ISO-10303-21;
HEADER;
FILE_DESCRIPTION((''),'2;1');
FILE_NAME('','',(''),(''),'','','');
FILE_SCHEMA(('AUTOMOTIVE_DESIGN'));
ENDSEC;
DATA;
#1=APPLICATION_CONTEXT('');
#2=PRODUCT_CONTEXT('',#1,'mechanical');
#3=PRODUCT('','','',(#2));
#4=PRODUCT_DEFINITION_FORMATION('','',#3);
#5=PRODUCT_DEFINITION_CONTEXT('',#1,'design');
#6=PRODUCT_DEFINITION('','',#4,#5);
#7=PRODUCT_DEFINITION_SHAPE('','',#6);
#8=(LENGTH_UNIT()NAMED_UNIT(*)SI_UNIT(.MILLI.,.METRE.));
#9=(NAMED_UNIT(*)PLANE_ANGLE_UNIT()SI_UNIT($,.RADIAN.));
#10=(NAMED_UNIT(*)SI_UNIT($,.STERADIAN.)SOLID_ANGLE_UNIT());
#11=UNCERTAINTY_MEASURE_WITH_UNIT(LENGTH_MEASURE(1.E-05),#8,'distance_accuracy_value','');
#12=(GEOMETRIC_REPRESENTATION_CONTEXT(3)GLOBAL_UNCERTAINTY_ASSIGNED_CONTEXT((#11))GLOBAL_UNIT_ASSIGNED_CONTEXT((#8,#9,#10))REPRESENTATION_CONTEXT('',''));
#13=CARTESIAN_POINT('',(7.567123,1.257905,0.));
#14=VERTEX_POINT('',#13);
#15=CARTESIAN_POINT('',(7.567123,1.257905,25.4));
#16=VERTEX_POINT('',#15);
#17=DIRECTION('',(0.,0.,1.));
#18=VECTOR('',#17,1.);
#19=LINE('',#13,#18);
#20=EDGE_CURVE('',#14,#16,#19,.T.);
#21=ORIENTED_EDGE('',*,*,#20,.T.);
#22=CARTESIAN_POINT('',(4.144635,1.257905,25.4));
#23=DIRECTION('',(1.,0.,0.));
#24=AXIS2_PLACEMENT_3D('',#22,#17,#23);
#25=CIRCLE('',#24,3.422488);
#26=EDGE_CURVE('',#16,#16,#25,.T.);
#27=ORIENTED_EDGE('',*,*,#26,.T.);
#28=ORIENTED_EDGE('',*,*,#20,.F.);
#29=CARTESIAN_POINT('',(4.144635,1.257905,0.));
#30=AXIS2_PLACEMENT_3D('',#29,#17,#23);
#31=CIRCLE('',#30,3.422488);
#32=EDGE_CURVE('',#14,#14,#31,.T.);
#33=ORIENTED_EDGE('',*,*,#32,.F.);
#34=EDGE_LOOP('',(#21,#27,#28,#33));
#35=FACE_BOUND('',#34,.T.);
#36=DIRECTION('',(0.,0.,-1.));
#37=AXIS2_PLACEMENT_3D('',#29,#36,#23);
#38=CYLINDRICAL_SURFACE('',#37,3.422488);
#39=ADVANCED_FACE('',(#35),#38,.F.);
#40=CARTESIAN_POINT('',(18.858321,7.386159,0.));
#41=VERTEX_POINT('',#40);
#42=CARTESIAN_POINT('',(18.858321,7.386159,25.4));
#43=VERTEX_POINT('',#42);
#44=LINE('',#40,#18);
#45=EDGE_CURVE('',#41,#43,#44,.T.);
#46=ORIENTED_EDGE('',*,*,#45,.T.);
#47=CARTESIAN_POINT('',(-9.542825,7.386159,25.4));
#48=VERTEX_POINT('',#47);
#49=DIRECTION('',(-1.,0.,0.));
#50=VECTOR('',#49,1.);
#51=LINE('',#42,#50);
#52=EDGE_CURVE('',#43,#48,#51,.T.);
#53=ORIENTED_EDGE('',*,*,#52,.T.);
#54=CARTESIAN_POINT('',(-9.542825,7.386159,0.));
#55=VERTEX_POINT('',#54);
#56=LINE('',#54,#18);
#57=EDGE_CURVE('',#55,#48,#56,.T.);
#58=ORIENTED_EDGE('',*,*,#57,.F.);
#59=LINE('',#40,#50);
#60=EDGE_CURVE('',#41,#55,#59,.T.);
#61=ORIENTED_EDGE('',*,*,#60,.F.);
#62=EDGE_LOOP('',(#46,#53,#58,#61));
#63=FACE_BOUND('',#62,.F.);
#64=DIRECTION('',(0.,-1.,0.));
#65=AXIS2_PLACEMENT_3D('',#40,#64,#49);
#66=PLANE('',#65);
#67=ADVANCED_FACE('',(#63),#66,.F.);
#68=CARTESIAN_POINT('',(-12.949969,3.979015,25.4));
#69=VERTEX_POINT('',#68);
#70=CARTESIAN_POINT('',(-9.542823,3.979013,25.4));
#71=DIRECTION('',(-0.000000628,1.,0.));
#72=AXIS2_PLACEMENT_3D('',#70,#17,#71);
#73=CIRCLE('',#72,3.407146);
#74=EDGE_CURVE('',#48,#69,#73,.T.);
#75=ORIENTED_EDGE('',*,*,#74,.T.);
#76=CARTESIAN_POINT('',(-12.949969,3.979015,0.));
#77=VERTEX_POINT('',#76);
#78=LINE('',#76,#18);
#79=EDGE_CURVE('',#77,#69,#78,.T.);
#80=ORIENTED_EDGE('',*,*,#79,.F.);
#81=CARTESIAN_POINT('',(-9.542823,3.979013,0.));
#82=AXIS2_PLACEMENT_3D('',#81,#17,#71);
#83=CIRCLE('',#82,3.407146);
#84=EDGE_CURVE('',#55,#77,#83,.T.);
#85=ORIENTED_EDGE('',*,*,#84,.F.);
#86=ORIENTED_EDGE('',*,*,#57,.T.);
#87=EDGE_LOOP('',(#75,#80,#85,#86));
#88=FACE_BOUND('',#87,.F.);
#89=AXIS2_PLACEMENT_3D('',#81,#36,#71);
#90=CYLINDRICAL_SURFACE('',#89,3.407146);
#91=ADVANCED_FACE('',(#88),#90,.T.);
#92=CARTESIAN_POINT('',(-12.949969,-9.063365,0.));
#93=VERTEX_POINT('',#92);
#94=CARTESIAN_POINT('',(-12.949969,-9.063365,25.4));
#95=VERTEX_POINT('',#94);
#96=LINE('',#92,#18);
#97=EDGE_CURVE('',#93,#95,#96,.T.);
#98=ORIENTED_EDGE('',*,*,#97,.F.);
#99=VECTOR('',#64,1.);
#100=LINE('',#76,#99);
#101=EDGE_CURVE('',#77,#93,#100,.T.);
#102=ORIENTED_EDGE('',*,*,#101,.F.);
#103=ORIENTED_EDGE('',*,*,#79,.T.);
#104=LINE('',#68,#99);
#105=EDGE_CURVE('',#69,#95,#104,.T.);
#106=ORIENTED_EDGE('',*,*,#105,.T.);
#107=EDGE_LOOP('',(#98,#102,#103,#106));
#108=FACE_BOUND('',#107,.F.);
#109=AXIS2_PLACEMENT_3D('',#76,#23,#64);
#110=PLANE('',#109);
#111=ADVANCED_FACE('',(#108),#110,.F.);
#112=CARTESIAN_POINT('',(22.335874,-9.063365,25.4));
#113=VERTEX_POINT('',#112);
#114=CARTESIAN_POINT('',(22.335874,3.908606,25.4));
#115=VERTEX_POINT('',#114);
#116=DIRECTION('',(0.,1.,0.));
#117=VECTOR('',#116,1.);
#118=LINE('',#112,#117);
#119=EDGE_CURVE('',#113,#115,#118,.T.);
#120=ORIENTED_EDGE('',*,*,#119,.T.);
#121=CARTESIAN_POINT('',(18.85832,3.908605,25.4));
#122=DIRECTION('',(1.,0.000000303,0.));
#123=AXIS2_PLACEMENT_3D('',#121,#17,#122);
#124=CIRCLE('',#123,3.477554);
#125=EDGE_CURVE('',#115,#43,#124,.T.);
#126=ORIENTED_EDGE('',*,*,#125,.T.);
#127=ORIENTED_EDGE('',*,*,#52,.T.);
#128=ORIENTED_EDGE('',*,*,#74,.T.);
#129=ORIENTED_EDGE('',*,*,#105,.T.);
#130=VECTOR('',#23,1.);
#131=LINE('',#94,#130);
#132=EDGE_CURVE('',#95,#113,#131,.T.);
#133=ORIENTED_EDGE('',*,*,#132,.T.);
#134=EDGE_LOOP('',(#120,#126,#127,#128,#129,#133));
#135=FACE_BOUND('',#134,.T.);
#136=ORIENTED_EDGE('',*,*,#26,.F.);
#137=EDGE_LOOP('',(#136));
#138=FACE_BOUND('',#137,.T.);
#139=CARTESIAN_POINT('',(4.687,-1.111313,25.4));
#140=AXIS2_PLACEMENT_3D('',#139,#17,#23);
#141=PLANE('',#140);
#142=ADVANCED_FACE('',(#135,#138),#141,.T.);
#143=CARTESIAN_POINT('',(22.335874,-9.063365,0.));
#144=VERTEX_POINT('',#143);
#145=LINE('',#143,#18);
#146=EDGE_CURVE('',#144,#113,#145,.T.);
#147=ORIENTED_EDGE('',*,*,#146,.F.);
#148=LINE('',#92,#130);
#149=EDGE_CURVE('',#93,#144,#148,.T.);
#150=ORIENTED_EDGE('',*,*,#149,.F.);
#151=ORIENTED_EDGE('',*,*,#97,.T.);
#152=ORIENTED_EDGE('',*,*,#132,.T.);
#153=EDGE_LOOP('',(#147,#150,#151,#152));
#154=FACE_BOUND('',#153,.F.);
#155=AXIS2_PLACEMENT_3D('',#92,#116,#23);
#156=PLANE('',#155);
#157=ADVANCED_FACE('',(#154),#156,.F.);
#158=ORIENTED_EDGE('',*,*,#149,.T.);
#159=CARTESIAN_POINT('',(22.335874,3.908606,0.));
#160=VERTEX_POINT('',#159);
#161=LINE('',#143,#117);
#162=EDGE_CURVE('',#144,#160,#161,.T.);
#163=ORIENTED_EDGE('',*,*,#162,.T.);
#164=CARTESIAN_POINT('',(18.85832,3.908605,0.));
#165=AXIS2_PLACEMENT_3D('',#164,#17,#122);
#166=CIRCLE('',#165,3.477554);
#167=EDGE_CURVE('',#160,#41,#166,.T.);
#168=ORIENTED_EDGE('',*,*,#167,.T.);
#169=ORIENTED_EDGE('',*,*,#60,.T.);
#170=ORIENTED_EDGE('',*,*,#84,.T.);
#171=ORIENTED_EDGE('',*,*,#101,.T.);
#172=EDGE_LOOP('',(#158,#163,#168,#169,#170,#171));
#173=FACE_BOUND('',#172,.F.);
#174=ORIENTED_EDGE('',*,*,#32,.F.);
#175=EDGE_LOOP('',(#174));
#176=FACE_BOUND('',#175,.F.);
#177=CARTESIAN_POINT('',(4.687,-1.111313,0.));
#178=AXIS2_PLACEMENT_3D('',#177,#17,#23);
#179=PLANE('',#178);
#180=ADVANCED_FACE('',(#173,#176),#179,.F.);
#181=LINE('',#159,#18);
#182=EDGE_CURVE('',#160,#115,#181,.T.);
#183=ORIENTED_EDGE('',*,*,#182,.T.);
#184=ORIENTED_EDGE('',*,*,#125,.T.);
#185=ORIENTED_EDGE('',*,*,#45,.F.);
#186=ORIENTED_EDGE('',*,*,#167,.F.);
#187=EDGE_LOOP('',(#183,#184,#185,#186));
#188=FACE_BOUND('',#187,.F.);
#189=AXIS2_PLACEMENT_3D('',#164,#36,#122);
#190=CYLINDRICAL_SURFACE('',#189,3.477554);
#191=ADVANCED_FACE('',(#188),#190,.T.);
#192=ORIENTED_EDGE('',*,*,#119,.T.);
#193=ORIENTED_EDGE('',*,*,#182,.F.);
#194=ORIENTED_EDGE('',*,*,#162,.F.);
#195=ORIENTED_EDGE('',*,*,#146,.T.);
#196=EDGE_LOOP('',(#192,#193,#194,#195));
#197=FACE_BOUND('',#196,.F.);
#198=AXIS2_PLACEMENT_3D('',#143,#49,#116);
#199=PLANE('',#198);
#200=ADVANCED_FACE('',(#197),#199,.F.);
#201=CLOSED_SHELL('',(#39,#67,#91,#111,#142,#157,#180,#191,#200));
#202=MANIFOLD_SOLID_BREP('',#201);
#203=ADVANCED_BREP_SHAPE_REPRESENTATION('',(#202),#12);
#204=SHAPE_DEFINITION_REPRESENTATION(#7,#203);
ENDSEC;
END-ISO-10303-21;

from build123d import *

# Parameters (mm, degrees)
F0_R     = 3.422488
F1_DEPTH = 25.4


with BuildPart() as f1:
    # F0 (on Top) → F1 (new body)
    with BuildSketch(Plane.XY):
        with BuildLine():
            Line((18.858321, 7.386159), (-9.542825, 7.386159))
            ThreePointArc((-9.542825, 7.386159), (-11.952039, 6.388229), (-12.949969, 3.979015))
            Line((-12.949969, 3.979015), (-12.949969, -9.063365))
            Line((-12.949969, -9.063365), (22.335874, -9.063365))
            Line((22.335874, -9.063365), (22.335874, 3.908606))
            ThreePointArc((22.335874, 3.908606), (21.317322, 6.367607), (18.858321, 7.386159))
        make_face()
        with Locations((4.144635, 1.257905)):
            Circle(F0_R, mode=Mode.SUBTRACT)
    extrude(amount=F1_DEPTH)


solid = f1.part
